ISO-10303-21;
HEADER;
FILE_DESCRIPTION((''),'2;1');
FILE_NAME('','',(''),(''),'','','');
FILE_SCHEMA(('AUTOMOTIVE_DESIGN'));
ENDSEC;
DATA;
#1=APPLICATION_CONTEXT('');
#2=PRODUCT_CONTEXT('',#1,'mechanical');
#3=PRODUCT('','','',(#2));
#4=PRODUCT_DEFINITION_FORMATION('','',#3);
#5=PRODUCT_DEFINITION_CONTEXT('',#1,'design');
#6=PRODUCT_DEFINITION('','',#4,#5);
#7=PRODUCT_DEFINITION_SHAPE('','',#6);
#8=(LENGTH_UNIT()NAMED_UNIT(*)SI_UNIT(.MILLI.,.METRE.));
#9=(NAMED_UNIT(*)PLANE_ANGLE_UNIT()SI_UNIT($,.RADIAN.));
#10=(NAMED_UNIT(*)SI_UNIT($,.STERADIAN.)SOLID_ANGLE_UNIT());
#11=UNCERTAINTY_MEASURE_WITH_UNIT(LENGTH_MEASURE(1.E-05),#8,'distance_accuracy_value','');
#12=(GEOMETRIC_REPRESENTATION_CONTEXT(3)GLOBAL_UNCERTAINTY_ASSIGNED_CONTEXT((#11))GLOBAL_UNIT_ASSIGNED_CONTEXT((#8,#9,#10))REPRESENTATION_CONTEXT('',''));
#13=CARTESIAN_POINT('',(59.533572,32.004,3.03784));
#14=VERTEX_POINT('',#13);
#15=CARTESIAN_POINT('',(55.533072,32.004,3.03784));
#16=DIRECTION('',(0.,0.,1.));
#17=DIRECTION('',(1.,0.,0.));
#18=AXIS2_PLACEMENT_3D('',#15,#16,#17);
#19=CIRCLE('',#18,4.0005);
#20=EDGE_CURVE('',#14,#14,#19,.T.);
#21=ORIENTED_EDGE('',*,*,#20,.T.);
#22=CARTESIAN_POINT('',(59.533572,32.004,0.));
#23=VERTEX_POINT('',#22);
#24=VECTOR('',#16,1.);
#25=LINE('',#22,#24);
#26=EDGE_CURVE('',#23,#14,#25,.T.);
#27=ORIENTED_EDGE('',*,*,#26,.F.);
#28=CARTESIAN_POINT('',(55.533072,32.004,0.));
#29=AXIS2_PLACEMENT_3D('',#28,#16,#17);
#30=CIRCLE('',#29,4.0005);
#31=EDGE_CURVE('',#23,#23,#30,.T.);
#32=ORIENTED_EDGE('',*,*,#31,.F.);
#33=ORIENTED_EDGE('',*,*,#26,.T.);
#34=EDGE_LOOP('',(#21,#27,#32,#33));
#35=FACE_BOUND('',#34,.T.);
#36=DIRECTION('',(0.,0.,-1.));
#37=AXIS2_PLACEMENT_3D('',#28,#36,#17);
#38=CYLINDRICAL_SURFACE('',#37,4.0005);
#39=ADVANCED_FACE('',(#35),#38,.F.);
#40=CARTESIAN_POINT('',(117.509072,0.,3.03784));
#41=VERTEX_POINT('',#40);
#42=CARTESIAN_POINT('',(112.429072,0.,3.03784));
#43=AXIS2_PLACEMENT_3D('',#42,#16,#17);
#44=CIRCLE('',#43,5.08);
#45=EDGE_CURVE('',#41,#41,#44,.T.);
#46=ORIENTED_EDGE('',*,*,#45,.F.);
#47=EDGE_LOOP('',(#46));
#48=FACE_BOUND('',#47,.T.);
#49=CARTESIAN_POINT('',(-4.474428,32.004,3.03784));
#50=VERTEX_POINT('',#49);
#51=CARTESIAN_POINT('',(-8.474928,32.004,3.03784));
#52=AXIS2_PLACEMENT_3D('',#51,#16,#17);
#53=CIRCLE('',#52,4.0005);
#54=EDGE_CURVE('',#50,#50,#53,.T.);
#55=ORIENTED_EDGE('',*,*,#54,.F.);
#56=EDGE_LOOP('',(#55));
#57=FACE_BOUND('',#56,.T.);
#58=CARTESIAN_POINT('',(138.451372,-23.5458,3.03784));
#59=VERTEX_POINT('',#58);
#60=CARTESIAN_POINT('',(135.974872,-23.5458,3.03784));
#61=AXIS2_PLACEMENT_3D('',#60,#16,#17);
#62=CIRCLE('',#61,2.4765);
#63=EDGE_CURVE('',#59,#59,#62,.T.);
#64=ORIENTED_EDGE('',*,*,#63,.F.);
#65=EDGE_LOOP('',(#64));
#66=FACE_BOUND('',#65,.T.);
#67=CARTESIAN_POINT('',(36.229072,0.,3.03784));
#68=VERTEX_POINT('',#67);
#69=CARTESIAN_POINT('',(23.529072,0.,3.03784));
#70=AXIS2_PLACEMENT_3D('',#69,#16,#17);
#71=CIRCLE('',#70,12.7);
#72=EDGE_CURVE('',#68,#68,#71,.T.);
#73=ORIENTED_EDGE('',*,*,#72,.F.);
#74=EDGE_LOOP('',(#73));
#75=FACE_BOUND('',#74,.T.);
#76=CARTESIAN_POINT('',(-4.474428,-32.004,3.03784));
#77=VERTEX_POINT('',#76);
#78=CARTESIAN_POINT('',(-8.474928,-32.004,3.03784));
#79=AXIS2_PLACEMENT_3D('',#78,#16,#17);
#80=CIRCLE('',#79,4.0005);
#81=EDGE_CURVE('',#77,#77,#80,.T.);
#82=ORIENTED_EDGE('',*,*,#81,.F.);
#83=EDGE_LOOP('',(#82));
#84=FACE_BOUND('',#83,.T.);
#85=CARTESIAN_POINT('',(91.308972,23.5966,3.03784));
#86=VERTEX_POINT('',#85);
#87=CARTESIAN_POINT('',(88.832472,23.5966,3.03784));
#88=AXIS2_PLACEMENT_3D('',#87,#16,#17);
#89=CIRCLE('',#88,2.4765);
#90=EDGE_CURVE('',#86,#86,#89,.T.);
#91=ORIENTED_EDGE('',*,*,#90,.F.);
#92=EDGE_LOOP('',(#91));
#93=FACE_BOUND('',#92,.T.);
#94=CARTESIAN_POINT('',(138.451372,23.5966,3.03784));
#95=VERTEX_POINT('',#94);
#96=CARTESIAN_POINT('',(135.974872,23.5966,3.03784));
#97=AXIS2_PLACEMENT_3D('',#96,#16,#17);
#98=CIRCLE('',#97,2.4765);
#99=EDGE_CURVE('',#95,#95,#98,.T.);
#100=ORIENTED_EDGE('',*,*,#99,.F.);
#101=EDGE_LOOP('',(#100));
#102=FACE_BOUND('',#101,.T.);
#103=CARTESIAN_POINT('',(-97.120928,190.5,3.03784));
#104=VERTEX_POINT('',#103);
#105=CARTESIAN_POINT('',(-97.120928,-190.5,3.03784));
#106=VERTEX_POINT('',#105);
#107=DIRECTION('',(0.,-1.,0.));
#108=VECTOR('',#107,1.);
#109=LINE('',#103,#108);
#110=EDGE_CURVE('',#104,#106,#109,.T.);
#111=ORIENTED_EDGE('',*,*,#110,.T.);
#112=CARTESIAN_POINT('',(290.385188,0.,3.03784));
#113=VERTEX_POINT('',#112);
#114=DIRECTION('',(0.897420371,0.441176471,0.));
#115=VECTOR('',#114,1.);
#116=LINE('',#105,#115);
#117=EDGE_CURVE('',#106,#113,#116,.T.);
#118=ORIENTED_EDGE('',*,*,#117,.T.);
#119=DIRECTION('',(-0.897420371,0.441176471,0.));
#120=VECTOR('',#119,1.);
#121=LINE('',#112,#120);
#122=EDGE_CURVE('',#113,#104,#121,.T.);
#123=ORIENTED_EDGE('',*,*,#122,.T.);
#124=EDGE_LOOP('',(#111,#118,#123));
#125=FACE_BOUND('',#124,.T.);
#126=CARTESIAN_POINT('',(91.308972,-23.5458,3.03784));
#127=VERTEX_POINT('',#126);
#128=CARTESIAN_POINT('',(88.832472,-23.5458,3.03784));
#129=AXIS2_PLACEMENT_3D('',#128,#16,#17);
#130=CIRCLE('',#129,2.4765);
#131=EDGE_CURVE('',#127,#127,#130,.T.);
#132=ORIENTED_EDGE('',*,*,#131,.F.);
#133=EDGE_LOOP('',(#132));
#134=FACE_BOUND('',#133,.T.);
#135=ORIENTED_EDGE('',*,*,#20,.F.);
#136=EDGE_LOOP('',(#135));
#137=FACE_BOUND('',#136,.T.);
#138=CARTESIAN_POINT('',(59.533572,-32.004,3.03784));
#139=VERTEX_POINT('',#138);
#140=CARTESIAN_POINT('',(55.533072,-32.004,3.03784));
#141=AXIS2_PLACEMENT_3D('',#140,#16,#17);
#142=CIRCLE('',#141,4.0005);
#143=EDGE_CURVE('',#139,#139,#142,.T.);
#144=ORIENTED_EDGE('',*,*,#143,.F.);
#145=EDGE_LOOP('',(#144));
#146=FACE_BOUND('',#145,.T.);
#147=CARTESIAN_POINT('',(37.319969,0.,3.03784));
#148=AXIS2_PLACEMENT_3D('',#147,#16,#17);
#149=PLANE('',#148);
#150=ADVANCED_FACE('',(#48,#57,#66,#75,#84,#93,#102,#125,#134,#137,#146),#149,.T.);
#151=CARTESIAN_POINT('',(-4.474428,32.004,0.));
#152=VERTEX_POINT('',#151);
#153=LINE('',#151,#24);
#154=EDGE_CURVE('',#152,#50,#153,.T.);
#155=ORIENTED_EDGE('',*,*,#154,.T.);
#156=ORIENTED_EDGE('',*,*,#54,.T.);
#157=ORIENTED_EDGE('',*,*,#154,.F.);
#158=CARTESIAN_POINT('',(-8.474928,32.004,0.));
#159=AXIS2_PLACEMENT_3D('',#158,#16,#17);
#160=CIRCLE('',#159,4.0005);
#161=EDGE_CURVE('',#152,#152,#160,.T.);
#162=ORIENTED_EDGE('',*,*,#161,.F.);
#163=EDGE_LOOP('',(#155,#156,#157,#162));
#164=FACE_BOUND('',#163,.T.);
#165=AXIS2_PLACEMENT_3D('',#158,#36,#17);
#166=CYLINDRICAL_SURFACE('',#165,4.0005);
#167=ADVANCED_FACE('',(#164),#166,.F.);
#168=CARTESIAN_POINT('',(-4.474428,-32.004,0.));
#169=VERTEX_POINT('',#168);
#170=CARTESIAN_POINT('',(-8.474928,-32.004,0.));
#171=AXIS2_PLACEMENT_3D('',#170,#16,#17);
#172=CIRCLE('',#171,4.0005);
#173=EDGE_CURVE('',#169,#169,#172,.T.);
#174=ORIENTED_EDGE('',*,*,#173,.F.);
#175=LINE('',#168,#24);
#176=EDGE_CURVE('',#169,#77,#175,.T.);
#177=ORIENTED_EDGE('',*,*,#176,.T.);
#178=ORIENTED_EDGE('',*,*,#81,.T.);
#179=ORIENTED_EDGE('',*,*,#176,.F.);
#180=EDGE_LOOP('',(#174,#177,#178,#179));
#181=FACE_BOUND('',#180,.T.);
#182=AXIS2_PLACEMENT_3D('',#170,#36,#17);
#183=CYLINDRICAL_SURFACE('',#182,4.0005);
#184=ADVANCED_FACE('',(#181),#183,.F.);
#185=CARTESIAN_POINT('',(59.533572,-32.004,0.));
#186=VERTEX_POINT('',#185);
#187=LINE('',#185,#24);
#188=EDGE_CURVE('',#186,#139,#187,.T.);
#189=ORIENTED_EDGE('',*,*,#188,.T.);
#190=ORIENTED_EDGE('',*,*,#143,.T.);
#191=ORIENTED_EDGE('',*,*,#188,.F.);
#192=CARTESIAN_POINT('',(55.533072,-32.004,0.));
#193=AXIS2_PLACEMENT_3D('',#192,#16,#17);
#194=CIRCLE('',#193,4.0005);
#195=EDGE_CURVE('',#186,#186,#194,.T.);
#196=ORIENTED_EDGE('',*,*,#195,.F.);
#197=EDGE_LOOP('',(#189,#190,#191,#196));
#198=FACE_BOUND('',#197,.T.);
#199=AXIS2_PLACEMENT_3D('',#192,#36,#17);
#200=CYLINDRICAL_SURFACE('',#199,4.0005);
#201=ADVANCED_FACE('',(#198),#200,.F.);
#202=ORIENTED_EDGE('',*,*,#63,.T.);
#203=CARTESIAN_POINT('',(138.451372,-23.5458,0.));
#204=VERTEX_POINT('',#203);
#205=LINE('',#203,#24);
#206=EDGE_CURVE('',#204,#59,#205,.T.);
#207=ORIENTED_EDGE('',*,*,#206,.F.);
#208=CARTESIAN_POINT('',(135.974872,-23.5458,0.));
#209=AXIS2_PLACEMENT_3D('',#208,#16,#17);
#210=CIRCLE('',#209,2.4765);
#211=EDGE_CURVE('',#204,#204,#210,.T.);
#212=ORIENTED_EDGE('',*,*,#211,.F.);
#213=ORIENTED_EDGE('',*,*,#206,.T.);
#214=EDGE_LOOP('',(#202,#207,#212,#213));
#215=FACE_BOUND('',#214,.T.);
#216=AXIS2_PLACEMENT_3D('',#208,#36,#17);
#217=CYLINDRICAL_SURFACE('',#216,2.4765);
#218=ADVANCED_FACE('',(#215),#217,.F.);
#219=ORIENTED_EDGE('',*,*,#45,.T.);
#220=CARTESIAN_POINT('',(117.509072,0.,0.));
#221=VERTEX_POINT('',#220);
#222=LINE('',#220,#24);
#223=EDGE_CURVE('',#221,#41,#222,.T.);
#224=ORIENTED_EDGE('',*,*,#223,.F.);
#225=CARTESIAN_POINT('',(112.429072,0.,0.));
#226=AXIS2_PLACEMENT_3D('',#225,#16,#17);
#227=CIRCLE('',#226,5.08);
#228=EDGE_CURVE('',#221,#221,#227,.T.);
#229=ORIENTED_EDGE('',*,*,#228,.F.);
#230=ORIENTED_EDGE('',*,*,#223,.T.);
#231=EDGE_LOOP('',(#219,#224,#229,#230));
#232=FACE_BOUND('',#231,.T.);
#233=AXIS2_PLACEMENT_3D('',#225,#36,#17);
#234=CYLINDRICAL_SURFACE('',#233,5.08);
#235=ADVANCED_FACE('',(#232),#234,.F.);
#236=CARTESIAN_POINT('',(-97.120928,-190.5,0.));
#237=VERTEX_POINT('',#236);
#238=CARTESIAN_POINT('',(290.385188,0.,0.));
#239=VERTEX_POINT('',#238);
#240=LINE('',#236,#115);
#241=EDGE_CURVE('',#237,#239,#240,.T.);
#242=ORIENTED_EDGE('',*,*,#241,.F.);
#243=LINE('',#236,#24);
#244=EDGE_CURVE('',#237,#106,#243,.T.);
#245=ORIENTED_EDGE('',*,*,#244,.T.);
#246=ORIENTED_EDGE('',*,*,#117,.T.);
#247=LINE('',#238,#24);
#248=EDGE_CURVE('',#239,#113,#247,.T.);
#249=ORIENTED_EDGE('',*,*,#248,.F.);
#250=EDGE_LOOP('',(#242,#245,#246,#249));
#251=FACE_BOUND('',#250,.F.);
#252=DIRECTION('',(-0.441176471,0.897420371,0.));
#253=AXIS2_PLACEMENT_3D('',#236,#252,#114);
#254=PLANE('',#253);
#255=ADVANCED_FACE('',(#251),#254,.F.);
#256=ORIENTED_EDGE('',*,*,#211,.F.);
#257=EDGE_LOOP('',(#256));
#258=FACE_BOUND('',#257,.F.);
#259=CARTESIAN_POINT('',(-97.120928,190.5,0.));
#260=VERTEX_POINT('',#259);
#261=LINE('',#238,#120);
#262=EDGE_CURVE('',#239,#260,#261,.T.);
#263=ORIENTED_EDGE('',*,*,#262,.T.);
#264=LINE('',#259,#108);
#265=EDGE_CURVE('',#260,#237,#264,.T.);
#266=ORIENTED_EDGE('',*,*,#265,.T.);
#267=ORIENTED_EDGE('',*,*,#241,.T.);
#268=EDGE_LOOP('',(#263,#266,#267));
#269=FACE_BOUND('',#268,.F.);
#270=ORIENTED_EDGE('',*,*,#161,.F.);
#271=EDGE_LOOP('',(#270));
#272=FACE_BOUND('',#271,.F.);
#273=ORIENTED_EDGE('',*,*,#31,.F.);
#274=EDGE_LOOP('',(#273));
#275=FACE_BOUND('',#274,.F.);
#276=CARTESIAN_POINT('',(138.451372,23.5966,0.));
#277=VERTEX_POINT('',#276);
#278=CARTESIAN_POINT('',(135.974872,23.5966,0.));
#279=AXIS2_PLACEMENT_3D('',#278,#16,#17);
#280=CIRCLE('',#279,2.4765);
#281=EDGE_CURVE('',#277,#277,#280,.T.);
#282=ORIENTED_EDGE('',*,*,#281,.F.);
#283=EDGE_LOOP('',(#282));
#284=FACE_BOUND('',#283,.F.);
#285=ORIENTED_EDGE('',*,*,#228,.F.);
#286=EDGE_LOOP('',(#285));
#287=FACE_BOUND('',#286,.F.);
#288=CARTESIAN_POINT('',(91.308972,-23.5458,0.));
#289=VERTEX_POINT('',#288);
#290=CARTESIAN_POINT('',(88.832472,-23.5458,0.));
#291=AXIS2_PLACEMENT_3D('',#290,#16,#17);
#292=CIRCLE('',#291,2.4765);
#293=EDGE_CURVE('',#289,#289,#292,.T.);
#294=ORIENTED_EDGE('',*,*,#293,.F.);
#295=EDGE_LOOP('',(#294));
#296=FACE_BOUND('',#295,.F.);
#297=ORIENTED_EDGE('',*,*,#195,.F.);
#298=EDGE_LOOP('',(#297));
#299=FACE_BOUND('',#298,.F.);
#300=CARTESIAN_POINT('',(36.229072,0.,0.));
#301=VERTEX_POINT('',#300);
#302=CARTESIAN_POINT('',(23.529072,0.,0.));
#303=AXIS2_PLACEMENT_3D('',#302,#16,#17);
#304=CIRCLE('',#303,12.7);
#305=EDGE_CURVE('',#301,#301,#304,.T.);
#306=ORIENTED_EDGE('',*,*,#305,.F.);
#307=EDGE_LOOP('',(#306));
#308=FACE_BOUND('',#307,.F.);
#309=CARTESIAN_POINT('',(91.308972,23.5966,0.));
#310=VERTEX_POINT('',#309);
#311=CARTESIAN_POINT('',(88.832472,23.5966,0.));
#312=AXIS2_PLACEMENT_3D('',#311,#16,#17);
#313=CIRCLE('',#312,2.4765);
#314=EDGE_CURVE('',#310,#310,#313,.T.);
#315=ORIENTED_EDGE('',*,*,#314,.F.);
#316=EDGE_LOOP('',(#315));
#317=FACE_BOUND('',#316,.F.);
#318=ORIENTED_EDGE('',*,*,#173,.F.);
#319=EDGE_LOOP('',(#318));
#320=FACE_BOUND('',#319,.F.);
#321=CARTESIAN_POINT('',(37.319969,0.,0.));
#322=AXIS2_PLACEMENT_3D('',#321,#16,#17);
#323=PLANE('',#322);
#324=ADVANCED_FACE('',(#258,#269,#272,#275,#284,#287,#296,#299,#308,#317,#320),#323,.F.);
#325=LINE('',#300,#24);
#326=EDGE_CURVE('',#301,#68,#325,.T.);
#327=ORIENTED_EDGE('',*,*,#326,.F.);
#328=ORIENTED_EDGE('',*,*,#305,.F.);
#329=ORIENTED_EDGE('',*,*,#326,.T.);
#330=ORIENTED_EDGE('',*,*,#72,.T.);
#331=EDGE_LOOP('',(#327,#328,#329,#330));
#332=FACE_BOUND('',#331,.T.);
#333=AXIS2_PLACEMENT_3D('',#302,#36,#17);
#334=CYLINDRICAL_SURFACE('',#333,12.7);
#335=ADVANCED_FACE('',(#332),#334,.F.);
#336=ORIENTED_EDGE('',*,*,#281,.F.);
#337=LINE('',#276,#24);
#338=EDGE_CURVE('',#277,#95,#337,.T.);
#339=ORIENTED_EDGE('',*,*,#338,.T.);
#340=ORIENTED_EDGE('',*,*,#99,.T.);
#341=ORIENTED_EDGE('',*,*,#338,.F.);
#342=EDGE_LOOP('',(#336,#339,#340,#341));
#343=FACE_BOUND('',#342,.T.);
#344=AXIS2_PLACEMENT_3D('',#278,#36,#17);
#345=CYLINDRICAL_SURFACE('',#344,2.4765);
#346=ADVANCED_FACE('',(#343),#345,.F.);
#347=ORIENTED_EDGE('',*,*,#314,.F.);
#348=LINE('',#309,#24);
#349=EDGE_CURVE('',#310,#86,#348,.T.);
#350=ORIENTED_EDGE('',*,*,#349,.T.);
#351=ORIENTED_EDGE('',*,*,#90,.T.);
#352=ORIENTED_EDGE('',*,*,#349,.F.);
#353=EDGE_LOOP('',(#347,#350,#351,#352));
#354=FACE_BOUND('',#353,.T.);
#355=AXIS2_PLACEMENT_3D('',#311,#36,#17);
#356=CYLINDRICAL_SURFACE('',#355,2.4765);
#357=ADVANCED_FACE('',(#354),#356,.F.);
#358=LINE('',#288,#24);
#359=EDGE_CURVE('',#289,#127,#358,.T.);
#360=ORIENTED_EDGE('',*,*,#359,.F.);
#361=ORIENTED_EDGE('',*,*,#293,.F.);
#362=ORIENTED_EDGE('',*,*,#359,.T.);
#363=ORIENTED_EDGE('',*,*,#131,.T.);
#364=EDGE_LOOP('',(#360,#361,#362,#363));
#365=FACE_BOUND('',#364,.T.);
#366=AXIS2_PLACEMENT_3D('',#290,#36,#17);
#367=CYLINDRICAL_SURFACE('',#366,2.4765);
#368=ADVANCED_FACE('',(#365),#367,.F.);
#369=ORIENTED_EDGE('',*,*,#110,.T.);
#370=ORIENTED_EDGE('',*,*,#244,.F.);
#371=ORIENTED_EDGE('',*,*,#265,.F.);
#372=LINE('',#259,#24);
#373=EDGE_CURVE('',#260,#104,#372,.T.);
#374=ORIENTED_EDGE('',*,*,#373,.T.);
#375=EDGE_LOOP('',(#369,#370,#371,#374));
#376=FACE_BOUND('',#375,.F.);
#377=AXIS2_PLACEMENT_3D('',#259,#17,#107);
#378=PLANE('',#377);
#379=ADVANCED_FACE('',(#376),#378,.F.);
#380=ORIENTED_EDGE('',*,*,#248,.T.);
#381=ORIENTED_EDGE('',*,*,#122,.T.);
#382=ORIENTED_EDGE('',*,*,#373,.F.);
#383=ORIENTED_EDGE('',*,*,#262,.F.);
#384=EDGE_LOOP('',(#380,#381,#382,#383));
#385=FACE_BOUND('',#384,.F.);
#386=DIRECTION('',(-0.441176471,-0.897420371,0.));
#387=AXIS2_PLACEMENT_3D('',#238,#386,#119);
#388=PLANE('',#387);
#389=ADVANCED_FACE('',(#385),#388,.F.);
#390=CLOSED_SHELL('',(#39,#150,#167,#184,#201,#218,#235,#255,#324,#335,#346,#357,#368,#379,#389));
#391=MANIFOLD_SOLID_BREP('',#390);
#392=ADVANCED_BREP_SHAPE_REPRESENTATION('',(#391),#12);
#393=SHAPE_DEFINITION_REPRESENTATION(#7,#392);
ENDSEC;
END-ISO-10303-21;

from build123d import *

# Parameters (mm, degrees)
F0_R     = 4.0005
F0_R_2   = 2.4765
F0_R_3   = 12.7
F0_R_4   = 5.08
F1_DEPTH = 3.03784


with BuildPart() as f1:
    # F0 (on Top) → F1 (new body)
    with BuildSketch(Plane.XY):
        Polygon((-97.120928, -190.5), (290.385188, 0), (-97.120928, 190.5), align=None)
        with Locations((-8.474928, -32.004)):
            Circle(F0_R, mode=Mode.SUBTRACT)
        with Locations((55.533072, -32.004)):
            Circle(F0_R, mode=Mode.SUBTRACT)
        with Locations((88.832472, -23.5458)):
            Circle(F0_R_2, mode=Mode.SUBTRACT)
        with Locations((135.974872, -23.5458)):
            Circle(F0_R_2, mode=Mode.SUBTRACT)
        with Locations((-8.474928, 32.004)):
            Circle(F0_R, mode=Mode.SUBTRACT)
        with Locations((23.529072, 0)):
            Circle(F0_R_3, mode=Mode.SUBTRACT)
        with Locations((88.832472, 23.5966)):
            Circle(F0_R_2, mode=Mode.SUBTRACT)
        with Locations((55.533072, 32.004)):
            Circle(F0_R, mode=Mode.SUBTRACT)
        with Locations((112.429072, 0)):
            Circle(F0_R_4, mode=Mode.SUBTRACT)
        with Locations((135.974872, 23.5966)):
            Circle(F0_R_2, mode=Mode.SUBTRACT)
    extrude(amount=F1_DEPTH)


solid = f1.part
